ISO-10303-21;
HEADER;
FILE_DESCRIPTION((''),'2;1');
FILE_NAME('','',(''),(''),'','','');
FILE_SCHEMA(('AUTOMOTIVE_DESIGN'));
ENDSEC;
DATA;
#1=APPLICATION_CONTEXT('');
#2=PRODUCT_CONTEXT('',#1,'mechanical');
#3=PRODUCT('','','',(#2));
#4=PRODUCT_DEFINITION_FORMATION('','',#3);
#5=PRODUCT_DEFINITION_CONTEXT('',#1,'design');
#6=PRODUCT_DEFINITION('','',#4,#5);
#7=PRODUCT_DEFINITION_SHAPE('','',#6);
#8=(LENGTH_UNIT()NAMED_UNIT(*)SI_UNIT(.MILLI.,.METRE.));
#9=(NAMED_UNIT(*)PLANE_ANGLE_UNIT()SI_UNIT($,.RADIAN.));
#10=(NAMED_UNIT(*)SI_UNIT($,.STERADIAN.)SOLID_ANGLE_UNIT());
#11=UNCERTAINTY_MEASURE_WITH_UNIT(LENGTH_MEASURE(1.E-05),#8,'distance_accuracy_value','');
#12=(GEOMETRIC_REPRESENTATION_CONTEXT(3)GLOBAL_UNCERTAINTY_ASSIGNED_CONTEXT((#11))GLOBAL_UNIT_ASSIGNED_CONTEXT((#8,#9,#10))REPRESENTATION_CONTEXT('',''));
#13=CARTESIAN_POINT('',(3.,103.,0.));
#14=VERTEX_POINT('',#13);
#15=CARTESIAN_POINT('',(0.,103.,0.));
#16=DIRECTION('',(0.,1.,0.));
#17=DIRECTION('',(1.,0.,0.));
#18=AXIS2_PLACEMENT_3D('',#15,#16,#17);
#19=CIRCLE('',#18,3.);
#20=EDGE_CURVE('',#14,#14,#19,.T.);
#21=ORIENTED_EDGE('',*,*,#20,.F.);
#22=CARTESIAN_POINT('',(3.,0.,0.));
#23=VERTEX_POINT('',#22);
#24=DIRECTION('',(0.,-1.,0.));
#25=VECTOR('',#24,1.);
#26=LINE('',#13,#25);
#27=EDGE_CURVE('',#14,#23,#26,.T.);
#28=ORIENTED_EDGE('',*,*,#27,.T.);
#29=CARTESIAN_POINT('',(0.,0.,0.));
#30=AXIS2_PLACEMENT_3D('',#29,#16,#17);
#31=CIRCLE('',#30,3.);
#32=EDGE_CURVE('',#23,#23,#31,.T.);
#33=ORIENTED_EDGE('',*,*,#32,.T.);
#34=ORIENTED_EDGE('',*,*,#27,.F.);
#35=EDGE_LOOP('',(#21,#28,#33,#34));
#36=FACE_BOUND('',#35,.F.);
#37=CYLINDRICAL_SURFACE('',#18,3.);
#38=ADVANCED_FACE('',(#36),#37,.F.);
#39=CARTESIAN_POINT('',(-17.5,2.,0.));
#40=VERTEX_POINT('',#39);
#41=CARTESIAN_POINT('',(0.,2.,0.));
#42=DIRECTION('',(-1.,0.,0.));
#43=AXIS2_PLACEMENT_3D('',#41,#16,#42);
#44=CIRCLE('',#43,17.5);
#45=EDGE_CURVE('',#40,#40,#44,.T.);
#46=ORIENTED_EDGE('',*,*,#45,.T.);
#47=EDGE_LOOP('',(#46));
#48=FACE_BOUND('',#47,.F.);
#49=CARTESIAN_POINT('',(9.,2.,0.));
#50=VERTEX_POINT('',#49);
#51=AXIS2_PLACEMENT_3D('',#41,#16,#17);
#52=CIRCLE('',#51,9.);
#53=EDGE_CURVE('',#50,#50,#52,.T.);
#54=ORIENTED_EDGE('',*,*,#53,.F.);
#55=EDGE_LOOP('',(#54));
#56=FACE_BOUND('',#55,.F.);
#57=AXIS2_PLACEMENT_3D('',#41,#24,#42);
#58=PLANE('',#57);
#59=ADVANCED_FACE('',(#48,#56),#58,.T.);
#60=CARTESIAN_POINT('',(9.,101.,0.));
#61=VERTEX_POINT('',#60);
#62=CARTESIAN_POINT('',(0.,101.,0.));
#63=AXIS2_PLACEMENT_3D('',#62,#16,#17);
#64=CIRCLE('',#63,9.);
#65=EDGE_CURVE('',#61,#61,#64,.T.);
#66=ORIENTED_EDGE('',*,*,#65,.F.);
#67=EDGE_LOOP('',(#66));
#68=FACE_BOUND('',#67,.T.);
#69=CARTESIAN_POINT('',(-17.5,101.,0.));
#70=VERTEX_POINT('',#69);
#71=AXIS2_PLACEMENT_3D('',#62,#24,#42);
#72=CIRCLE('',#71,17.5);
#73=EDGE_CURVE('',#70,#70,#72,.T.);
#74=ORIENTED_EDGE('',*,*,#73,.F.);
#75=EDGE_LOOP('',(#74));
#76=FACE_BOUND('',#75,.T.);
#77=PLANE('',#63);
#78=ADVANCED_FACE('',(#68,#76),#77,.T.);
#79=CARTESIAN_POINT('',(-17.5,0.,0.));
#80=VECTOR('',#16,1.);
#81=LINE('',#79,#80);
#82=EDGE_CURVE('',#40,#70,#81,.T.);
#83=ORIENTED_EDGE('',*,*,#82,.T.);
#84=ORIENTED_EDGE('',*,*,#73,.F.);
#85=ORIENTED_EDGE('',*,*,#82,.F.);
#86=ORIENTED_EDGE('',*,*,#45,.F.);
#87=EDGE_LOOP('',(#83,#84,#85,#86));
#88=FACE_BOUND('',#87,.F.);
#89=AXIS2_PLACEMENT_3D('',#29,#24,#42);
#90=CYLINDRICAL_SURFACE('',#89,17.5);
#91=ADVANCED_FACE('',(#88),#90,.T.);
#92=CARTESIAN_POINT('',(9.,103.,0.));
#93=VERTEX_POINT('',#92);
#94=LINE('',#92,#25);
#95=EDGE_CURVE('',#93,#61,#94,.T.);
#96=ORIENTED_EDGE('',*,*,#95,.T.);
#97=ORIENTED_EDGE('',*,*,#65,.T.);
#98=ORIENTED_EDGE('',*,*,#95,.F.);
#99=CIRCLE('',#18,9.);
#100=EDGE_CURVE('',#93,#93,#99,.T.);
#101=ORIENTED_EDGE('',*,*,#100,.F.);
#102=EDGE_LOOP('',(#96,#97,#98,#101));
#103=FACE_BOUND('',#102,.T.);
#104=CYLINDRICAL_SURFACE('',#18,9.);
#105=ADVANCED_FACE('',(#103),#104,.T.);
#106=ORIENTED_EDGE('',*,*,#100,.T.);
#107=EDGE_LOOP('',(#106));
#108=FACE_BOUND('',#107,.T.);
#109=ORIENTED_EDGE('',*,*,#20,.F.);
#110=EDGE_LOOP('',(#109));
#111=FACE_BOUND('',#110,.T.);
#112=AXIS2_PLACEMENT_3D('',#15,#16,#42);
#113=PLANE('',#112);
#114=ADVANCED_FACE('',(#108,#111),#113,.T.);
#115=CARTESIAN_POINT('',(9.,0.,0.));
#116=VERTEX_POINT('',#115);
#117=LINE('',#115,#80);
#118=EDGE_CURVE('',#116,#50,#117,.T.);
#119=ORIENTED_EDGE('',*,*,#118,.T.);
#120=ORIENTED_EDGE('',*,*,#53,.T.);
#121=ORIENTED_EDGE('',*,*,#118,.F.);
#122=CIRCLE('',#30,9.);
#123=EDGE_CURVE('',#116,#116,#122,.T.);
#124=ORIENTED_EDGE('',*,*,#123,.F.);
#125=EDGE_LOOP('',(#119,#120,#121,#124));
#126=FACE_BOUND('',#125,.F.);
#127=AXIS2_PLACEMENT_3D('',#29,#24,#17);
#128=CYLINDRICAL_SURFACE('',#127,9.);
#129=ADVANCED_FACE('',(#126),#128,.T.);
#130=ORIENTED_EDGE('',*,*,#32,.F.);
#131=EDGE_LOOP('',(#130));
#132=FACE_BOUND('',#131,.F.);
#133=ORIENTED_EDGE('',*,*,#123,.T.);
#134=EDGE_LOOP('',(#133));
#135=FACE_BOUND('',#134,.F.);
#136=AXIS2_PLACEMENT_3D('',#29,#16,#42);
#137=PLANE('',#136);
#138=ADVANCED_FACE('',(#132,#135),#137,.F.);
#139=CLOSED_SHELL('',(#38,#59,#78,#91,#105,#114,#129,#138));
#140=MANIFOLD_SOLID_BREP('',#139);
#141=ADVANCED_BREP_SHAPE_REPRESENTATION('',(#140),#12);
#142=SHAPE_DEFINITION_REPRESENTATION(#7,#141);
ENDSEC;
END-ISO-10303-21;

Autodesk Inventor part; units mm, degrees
ref_plane "YZ Plane" through (0, 0, 0) normal (1, 0, 0) x (0, 1, 0)
ref_plane "XZ Plane" through (0, 0, 0) normal (0, 1, 0) x (-1, 0, 0)
sketch "Sketch1" plane through (0, 0, 0) normal (0, 1, 0) x (-1, 0, 0)
  circle A0 centre (0, 0) radius 17.5
  dimension "d0" = 35
extrude "Extrusion1" add sketch "Sketch1" along normal blind 103
sketch "Sketch2" plane through (0, 103, 0) normal (0, 1, 0) x (1, 0, 0)
  circle A0 centre (0, 0) radius 3
  circle A1 centre (0, 0) radius 9
  circle A2 centre (0, 0) radius 17.5
  dimension "d3" = 6
  dimension "d4" = 18
extrude "Extrusion2" cut sketch "Sketch2" against normal blind 2 contours A2
extrude "Extrusion3" cut sketch "Sketch2" against normal through all contours A0
ref_plane "Work Plane1" through (0, 51.5, 0) normal (0, 1, 0) x (1, 0, 0)
mirror "Mirror1" about plane through (0, 51.5, 0) normal (0, 1, 0) of "Extrusion2"
properties part number "roller"
